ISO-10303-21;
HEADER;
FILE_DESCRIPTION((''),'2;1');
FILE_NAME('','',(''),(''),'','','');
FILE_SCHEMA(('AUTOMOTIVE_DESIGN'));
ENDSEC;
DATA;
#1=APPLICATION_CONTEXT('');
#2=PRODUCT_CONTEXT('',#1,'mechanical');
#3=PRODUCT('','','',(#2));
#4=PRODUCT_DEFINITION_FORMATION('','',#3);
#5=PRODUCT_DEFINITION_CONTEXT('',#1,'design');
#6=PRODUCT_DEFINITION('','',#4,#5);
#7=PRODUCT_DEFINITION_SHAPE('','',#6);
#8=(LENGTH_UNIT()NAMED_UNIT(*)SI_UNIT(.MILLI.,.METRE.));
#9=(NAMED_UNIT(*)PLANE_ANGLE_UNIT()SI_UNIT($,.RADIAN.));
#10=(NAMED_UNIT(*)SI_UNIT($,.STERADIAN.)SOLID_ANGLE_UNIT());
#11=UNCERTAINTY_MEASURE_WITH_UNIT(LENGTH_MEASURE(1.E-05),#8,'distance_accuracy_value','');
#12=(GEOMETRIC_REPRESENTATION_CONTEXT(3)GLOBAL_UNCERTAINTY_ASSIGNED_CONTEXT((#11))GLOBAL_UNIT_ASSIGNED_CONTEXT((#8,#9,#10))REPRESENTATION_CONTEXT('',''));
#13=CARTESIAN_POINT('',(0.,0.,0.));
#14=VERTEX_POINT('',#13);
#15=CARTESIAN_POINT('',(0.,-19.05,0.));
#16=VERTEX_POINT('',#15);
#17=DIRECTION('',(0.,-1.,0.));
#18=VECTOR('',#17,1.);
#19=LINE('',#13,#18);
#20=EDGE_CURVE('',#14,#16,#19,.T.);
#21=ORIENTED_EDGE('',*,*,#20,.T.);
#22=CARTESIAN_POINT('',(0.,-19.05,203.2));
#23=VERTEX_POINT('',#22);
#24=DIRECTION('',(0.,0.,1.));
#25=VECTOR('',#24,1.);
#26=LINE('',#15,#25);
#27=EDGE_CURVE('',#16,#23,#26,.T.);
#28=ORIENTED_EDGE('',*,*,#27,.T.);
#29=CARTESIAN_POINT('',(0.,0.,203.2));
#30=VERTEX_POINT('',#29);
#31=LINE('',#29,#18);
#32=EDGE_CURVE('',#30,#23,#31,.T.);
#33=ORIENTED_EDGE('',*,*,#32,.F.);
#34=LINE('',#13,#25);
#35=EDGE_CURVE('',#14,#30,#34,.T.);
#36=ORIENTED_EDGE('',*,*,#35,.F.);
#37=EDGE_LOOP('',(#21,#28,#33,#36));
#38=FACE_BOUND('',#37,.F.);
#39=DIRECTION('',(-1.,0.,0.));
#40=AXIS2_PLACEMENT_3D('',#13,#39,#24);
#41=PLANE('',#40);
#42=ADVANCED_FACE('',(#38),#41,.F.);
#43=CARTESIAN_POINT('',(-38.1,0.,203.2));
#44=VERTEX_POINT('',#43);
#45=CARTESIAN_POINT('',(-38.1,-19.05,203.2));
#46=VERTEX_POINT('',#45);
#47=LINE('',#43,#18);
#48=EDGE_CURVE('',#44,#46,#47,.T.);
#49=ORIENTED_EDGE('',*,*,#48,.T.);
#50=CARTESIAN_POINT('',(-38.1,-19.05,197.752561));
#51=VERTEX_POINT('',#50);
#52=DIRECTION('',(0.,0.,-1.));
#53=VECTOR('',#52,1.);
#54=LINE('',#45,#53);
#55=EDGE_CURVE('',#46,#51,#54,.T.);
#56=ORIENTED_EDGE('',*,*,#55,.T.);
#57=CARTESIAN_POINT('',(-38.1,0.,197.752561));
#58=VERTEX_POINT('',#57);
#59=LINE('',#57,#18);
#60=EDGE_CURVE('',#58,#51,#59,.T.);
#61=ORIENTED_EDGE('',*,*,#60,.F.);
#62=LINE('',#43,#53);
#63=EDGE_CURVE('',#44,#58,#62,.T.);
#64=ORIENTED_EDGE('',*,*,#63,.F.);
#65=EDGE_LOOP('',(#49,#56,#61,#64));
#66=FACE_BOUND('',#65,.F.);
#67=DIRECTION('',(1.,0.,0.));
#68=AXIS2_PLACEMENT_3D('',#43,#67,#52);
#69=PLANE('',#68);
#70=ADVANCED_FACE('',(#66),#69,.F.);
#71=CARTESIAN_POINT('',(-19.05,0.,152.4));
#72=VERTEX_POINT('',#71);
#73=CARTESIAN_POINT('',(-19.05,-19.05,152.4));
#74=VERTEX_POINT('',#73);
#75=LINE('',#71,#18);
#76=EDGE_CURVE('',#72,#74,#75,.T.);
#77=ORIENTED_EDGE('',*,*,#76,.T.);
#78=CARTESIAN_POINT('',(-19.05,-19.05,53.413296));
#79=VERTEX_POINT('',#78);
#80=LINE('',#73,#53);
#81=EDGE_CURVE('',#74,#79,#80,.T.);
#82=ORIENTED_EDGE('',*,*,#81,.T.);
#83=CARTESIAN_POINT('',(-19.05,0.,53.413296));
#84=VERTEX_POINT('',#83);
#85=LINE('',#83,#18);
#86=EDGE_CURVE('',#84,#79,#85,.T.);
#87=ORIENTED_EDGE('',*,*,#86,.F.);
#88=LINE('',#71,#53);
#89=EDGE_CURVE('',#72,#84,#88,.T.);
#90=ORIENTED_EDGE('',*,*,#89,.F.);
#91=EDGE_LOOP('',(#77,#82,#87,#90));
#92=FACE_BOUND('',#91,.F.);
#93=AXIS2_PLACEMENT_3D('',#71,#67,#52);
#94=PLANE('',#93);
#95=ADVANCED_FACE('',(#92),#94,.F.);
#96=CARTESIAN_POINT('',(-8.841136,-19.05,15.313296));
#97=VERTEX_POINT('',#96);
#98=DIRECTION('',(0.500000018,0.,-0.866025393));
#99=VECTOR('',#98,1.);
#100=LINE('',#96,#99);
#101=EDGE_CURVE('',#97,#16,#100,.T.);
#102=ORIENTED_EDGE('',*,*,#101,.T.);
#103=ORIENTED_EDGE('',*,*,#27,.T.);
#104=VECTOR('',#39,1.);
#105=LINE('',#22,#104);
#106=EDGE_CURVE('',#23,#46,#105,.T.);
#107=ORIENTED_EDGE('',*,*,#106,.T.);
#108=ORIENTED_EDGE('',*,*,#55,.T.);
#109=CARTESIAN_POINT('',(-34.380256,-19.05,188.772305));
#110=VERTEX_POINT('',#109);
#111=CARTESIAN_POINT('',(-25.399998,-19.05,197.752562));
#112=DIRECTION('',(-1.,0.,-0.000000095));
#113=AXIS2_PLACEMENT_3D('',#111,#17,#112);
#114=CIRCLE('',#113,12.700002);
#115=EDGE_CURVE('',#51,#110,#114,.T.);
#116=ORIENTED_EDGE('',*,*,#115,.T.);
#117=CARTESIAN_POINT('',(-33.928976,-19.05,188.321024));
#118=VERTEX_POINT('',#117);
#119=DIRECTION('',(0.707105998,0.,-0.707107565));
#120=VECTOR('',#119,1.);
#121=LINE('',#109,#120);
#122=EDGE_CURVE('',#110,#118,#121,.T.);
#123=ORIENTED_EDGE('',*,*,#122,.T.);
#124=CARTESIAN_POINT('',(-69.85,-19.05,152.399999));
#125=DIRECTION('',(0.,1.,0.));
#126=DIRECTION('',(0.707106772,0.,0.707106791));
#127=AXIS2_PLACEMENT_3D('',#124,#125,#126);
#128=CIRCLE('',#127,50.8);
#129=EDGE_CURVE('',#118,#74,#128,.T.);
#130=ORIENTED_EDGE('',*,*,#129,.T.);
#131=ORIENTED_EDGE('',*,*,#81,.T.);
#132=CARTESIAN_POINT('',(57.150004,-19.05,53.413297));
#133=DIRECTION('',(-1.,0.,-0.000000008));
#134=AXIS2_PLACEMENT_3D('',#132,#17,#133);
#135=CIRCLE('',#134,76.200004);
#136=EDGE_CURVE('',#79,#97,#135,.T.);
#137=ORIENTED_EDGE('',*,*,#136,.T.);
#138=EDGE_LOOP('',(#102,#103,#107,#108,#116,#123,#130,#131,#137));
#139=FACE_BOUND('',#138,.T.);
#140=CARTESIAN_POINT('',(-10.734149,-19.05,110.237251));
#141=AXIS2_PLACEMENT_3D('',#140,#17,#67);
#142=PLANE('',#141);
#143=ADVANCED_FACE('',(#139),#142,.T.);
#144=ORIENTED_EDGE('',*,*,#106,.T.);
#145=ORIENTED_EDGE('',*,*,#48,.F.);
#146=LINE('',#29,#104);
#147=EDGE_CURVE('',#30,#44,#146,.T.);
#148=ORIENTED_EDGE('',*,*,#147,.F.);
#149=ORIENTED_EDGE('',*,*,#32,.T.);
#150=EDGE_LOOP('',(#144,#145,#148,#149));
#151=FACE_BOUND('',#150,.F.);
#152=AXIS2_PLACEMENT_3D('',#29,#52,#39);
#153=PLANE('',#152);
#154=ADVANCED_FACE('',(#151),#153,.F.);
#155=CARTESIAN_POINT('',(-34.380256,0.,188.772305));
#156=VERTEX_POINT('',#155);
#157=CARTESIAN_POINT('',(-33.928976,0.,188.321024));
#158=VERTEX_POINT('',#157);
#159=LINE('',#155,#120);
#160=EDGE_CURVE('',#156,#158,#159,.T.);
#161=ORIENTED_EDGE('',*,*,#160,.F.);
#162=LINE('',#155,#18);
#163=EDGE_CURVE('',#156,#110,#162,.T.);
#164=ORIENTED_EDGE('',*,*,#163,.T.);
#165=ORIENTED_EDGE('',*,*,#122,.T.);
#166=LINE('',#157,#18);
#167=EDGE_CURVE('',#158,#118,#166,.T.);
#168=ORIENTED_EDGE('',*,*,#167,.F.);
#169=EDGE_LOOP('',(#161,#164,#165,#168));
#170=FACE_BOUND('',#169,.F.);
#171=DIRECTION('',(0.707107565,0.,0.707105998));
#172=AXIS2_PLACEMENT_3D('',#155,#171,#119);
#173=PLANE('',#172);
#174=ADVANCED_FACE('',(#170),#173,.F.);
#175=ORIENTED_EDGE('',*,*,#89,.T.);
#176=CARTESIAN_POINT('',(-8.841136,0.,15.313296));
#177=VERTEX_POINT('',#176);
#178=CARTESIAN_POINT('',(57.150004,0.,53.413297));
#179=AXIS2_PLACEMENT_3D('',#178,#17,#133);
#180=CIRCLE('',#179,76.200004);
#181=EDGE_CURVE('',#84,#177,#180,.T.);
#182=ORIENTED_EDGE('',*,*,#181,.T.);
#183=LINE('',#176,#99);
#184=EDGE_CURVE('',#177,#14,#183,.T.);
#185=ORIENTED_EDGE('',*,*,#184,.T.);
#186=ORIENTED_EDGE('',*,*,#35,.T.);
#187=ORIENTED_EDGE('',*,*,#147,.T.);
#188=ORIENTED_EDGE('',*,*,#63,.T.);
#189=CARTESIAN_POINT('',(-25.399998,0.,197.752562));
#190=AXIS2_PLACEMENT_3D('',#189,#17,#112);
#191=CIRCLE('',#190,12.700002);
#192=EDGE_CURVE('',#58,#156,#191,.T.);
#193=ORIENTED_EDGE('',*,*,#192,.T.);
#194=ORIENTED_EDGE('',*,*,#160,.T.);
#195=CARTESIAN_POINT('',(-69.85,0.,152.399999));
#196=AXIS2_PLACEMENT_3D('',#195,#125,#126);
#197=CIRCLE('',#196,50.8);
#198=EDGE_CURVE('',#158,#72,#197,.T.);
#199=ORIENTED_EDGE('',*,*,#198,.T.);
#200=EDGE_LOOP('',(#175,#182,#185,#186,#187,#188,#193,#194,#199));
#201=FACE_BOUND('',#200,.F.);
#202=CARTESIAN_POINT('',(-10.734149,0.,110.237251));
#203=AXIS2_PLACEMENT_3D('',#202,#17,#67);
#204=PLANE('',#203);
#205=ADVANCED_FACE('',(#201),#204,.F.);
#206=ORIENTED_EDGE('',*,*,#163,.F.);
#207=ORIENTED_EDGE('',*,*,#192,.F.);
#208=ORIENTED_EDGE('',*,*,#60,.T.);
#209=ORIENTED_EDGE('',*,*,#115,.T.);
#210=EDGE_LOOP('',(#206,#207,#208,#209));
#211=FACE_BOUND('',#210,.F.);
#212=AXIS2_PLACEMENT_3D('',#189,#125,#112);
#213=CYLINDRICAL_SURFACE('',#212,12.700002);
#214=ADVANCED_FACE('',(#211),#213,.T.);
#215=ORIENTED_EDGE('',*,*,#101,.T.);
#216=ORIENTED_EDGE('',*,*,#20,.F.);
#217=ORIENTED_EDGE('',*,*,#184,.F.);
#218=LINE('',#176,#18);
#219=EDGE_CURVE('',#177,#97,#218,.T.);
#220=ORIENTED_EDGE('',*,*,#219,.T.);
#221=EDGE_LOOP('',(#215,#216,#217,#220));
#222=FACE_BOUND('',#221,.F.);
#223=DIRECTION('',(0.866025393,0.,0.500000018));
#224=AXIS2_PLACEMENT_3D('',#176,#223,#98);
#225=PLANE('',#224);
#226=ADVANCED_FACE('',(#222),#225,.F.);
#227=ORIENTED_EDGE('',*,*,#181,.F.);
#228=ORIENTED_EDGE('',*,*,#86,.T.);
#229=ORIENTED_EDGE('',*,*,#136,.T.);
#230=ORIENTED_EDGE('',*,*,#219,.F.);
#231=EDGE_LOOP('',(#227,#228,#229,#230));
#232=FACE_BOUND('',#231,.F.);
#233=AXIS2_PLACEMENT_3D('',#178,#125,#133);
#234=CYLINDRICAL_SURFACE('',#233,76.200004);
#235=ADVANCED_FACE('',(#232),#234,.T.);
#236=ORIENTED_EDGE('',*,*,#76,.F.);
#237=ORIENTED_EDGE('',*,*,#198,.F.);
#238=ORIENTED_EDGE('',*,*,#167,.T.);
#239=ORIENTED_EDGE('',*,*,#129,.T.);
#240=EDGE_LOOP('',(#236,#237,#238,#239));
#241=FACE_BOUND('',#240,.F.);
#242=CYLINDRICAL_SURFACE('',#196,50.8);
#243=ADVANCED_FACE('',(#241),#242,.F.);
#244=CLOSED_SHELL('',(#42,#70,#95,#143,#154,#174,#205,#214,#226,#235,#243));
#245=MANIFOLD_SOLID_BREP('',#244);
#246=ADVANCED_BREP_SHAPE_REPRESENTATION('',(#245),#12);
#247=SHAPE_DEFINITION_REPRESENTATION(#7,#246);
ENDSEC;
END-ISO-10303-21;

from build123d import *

# Parameters (mm, degrees)
F1_DEPTH = 19.05


with BuildPart() as f1:
    # F0 (on Front) → F1 (new body)
    with BuildSketch(Plane.XZ):
        with BuildLine():
            Line((-8.841136, 15.313296), (0, 0))
            Line((0, 0), (0, 203.2))
            Line((0, 203.2), (-38.1, 203.2))
            Line((-38.1, 203.2), (-38.1, 197.752561))
            ThreePointArc((-38.1, 197.752561), (-37.13327, 192.892482), (-34.380256, 188.772305))
            Line((-34.380256, 188.772305), (-33.928976, 188.321024))
            ThreePointArc((-33.928976, 188.321024), (-22.91692, 171.840318), (-19.05, 152.4))
            Line((-19.05, 152.4), (-19.05, 53.413296))
            ThreePointArc((-19.05, 53.413296), (-16.453548, 33.691285), (-8.841136, 15.313296))
        make_face()
    extrude(amount=F1_DEPTH)


solid = f1.part
